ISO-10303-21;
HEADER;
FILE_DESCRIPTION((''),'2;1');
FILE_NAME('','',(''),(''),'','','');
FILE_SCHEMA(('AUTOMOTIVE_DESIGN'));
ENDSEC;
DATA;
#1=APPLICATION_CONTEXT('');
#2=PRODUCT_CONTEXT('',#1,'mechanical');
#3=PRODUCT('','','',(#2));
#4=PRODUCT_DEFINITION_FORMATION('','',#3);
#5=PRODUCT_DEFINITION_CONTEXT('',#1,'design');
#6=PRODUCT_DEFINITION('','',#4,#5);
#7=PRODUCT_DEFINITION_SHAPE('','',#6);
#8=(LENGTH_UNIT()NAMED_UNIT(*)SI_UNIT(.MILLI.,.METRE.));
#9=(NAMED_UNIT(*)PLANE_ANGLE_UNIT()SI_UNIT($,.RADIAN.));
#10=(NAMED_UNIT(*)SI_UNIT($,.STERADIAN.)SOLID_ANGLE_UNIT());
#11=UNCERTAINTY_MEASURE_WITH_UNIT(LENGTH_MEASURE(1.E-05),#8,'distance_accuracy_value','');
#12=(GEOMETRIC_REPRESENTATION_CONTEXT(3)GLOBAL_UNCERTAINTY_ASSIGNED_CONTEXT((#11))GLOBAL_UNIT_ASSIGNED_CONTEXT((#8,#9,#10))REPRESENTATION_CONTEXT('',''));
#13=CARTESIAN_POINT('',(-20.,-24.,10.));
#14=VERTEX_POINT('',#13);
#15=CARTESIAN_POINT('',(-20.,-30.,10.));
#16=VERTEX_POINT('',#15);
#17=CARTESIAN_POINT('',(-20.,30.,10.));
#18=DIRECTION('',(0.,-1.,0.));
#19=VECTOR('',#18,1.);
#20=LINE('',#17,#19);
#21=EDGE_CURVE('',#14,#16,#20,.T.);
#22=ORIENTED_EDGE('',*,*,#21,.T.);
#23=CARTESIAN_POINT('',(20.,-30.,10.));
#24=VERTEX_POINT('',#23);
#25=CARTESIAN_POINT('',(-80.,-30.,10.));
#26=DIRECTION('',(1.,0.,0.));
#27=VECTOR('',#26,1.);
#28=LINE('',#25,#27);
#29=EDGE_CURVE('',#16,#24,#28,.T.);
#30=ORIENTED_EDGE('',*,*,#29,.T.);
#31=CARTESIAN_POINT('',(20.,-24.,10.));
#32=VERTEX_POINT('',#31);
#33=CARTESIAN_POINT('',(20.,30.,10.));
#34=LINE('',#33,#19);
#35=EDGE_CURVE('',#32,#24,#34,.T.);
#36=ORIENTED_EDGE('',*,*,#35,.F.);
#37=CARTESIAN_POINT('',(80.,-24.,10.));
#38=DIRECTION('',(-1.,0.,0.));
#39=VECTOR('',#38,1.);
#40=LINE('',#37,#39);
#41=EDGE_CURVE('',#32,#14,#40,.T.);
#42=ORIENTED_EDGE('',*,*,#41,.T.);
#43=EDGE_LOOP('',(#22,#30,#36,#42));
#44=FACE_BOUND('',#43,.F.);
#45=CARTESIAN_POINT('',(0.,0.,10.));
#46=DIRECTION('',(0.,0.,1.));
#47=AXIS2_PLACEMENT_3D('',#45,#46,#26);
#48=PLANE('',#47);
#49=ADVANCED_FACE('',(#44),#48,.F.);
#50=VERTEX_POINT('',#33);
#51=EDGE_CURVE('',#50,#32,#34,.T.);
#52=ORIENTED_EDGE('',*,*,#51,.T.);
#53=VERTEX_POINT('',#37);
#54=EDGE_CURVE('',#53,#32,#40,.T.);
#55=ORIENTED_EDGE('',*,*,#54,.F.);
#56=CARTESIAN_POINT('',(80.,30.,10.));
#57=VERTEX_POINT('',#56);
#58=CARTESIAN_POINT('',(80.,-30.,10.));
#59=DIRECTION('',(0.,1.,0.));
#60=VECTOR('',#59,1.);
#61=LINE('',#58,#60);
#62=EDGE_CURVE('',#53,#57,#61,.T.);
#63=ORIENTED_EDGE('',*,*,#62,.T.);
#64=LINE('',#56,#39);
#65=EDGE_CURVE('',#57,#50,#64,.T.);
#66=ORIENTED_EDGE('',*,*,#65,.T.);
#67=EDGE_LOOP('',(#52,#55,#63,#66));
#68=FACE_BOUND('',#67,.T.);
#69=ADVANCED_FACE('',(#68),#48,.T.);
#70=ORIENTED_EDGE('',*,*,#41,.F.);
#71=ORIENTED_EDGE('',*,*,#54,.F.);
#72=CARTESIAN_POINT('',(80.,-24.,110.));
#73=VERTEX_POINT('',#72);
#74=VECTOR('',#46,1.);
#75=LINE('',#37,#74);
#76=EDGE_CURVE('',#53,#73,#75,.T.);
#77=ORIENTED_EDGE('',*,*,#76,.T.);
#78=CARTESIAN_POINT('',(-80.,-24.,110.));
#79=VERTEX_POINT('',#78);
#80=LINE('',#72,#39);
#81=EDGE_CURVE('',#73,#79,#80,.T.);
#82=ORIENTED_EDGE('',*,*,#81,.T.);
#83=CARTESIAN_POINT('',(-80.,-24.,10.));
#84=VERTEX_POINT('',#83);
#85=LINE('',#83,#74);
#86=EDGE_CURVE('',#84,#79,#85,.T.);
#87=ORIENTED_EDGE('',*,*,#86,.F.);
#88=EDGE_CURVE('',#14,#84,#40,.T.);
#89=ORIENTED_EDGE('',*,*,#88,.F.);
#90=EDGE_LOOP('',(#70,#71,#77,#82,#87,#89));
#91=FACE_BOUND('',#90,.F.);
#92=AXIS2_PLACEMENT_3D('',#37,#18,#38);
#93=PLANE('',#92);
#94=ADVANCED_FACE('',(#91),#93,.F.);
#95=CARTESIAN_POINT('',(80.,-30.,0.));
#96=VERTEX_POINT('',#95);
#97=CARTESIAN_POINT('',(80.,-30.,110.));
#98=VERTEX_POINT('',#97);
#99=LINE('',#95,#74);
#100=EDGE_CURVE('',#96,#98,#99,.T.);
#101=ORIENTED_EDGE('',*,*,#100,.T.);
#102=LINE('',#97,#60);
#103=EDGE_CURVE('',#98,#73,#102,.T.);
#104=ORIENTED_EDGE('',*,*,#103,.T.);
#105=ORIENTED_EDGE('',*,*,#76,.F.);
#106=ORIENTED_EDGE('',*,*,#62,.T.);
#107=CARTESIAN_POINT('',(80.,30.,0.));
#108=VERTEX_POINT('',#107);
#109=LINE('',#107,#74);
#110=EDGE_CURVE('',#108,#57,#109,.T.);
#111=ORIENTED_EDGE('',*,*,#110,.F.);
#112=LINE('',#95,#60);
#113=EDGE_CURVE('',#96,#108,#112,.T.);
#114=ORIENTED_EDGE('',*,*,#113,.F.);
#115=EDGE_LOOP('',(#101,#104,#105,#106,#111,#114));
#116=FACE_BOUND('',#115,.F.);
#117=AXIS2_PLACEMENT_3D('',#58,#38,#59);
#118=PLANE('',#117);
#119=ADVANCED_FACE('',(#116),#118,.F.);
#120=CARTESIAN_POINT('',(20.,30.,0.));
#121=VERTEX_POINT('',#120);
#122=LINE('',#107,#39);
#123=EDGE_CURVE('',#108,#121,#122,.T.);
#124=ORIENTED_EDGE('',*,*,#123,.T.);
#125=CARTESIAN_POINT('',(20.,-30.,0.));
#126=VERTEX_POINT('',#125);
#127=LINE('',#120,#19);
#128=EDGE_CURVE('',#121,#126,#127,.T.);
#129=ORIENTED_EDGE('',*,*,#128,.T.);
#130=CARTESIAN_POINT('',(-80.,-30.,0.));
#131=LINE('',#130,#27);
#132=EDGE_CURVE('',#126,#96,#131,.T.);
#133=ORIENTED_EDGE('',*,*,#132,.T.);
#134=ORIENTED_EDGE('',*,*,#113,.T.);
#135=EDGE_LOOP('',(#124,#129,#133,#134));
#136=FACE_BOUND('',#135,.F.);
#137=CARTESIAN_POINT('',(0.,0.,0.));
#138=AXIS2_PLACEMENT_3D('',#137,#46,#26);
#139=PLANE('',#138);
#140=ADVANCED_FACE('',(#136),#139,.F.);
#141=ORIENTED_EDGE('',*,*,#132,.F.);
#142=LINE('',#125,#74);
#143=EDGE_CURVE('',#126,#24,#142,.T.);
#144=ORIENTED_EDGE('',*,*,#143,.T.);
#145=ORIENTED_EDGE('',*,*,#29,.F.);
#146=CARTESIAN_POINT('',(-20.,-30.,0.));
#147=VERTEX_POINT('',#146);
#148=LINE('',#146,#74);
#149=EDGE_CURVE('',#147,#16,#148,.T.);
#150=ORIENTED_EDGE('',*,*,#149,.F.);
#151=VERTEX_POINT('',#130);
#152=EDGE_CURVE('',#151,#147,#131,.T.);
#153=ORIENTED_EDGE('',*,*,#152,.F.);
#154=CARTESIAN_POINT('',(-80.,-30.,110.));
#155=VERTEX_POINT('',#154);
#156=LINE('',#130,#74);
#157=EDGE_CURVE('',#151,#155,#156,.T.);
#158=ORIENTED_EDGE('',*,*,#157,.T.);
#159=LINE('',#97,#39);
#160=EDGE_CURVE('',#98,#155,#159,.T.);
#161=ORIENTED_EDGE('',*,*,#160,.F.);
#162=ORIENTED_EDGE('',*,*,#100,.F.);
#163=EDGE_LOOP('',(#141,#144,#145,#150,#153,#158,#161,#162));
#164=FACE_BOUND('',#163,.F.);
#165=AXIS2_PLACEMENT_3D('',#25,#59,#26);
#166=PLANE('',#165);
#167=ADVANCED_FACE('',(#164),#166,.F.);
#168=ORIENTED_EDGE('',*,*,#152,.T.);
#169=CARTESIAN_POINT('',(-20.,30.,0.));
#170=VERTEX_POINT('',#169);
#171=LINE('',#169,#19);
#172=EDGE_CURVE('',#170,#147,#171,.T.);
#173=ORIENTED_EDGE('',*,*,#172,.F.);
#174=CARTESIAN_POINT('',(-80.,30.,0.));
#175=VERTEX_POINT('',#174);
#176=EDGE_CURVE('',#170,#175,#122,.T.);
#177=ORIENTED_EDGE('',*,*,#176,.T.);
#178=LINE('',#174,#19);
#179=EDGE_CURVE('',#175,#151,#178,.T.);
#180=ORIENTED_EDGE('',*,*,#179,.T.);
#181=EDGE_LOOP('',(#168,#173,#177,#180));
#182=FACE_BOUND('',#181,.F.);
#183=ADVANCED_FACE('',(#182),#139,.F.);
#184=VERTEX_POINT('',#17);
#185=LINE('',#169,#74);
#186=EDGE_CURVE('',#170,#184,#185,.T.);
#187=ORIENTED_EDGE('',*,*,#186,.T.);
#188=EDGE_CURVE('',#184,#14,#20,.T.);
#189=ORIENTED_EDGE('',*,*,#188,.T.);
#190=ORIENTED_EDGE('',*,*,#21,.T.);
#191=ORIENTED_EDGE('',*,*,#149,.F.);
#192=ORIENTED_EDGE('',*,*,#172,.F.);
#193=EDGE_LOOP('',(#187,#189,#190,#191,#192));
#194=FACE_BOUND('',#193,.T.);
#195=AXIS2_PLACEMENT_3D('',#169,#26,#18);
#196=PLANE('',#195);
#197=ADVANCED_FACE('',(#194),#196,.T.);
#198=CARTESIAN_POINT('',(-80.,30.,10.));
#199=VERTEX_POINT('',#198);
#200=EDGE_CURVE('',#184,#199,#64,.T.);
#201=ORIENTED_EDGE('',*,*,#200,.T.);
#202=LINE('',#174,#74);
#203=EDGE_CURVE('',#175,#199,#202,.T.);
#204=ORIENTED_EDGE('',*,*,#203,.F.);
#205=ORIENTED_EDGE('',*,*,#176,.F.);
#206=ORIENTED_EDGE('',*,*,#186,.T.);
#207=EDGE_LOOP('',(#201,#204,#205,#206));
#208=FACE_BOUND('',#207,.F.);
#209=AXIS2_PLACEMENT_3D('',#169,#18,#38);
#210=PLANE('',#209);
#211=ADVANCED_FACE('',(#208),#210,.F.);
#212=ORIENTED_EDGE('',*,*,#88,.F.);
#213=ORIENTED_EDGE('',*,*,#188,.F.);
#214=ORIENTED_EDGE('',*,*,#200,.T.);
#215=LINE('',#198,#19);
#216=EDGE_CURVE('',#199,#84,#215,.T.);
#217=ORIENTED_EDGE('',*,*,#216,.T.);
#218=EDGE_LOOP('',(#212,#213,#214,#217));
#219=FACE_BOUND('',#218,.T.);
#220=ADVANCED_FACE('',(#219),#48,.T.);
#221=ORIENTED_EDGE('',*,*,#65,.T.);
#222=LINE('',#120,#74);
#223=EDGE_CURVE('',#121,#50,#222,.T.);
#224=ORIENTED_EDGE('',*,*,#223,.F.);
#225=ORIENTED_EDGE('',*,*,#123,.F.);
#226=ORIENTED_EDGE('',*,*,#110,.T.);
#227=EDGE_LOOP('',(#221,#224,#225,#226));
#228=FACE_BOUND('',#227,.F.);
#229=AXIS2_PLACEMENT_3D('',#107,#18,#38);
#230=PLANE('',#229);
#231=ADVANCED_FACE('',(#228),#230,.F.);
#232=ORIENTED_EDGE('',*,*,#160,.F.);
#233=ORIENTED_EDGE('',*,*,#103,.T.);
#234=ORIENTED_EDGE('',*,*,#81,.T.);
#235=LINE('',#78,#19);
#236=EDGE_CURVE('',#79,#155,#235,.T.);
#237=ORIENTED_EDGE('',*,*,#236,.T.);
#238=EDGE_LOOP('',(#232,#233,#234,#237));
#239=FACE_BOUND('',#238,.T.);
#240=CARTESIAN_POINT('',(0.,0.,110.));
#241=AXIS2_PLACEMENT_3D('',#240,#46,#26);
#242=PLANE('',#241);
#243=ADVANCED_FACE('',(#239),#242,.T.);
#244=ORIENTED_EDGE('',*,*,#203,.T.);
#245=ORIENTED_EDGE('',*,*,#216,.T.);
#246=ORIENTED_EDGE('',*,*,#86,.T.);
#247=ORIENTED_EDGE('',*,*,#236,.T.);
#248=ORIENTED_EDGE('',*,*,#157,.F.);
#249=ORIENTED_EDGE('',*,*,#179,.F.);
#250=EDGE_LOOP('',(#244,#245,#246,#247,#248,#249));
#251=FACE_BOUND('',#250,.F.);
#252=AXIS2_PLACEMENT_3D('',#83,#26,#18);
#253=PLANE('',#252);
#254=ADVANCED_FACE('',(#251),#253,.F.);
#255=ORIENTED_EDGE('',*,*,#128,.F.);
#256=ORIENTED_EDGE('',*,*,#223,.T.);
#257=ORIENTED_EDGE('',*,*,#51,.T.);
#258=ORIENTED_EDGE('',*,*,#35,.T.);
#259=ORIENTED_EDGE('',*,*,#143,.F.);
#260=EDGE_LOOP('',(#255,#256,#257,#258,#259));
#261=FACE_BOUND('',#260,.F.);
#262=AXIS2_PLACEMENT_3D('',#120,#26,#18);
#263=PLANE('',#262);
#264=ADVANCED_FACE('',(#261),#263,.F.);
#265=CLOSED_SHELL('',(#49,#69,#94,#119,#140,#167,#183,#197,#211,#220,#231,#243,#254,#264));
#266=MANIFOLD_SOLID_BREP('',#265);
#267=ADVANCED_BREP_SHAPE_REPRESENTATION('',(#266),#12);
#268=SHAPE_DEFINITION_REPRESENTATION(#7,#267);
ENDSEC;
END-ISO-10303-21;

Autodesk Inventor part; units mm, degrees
ref_plane "YZ Plane" through (0, 0, 0) normal (1, 0, 0) x (0, 1, 0)
ref_plane "XZ Plane" through (0, 0, 0) normal (0, 1, 0) x (-1, 0, 0)
ref_plane "XY Plane" through (0, 0, 0) normal (0, 0, 1) x (1, 0, 0)
sketch "Sketch1" plane through (0, 0, 0) normal (0, 0, 1) x (1, 0, 0)
  line L0 (80, 30) -> (-80, 30)
  line L1 (-80, 30) -> (-80, -30)
  line L2 (-80, -30) -> (80, -30)
  line L3 (80, -30) -> (80, 30)
  line L4 (80, 30) -> (-80, -30) construction
  line L5 (-80, 30) -> (80, -30) construction
  line L6 (-20, -30) -> (-80, -30)
  line L7 (-80, -30) -> (-80, 30)
  line L8 (-80, 30) -> (-20, 30)
  line L9 (-20, 30) -> (-20, -30)
  line L10 (-20, -30) -> (-80, 30) construction
  line L11 (-80, -30) -> (-20, 30) construction
  line L12 (20, -30) -> (80, -30)
  line L13 (80, -30) -> (80, 30)
  line L14 (80, 30) -> (20, 30)
  line L15 (20, 30) -> (20, -30)
  line L16 (20, -30) -> (80, 30) construction
  line L17 (80, -30) -> (20, 30) construction
  line L18 (0, 30) -> (0, -30) construction
  point P0 (0, 0)
  point P1 (-50, 0)
  point P2 (50, 0)
  point P3 (20, 30)
  point P4 (20, -30)
  point P5 (-20, -30)
  point P6 (-20, 30)
  dimension "d0" = 160
  dimension "d1" = 60
  dimension "d2" = 40
extrude "Extrusion1" add sketch "Sketch1" along normal blind 10 contours L3 L2 L15 L0 | L9 L2 L1 L0
sketch "Sketch2" plane through (0, 0, 10) normal (0, 0, 1) x (1, 0, 0)
  line L0 (-80, -30) -> (-20, -30) projected
  line L1 (80, -24) -> (-80, -24)
  line L2 (-80, -24) -> (-80, -30)
  line L3 (-80, -30) -> (80, -30)
  line L4 (80, -30) -> (80, -24)
  line L5 (80, -24) -> (-80, -30) construction
  line L6 (-80, -24) -> (80, -30) construction
  line L7 (80, -30) -> (80, 30) projected
  point P0 (0, 0)
  point P1 (0, -27)
  dimension "d5" = 6
extrude "Extrusion2" add sketch "Sketch2" along normal blind 100
properties part number "electrical_system_fix_board"
